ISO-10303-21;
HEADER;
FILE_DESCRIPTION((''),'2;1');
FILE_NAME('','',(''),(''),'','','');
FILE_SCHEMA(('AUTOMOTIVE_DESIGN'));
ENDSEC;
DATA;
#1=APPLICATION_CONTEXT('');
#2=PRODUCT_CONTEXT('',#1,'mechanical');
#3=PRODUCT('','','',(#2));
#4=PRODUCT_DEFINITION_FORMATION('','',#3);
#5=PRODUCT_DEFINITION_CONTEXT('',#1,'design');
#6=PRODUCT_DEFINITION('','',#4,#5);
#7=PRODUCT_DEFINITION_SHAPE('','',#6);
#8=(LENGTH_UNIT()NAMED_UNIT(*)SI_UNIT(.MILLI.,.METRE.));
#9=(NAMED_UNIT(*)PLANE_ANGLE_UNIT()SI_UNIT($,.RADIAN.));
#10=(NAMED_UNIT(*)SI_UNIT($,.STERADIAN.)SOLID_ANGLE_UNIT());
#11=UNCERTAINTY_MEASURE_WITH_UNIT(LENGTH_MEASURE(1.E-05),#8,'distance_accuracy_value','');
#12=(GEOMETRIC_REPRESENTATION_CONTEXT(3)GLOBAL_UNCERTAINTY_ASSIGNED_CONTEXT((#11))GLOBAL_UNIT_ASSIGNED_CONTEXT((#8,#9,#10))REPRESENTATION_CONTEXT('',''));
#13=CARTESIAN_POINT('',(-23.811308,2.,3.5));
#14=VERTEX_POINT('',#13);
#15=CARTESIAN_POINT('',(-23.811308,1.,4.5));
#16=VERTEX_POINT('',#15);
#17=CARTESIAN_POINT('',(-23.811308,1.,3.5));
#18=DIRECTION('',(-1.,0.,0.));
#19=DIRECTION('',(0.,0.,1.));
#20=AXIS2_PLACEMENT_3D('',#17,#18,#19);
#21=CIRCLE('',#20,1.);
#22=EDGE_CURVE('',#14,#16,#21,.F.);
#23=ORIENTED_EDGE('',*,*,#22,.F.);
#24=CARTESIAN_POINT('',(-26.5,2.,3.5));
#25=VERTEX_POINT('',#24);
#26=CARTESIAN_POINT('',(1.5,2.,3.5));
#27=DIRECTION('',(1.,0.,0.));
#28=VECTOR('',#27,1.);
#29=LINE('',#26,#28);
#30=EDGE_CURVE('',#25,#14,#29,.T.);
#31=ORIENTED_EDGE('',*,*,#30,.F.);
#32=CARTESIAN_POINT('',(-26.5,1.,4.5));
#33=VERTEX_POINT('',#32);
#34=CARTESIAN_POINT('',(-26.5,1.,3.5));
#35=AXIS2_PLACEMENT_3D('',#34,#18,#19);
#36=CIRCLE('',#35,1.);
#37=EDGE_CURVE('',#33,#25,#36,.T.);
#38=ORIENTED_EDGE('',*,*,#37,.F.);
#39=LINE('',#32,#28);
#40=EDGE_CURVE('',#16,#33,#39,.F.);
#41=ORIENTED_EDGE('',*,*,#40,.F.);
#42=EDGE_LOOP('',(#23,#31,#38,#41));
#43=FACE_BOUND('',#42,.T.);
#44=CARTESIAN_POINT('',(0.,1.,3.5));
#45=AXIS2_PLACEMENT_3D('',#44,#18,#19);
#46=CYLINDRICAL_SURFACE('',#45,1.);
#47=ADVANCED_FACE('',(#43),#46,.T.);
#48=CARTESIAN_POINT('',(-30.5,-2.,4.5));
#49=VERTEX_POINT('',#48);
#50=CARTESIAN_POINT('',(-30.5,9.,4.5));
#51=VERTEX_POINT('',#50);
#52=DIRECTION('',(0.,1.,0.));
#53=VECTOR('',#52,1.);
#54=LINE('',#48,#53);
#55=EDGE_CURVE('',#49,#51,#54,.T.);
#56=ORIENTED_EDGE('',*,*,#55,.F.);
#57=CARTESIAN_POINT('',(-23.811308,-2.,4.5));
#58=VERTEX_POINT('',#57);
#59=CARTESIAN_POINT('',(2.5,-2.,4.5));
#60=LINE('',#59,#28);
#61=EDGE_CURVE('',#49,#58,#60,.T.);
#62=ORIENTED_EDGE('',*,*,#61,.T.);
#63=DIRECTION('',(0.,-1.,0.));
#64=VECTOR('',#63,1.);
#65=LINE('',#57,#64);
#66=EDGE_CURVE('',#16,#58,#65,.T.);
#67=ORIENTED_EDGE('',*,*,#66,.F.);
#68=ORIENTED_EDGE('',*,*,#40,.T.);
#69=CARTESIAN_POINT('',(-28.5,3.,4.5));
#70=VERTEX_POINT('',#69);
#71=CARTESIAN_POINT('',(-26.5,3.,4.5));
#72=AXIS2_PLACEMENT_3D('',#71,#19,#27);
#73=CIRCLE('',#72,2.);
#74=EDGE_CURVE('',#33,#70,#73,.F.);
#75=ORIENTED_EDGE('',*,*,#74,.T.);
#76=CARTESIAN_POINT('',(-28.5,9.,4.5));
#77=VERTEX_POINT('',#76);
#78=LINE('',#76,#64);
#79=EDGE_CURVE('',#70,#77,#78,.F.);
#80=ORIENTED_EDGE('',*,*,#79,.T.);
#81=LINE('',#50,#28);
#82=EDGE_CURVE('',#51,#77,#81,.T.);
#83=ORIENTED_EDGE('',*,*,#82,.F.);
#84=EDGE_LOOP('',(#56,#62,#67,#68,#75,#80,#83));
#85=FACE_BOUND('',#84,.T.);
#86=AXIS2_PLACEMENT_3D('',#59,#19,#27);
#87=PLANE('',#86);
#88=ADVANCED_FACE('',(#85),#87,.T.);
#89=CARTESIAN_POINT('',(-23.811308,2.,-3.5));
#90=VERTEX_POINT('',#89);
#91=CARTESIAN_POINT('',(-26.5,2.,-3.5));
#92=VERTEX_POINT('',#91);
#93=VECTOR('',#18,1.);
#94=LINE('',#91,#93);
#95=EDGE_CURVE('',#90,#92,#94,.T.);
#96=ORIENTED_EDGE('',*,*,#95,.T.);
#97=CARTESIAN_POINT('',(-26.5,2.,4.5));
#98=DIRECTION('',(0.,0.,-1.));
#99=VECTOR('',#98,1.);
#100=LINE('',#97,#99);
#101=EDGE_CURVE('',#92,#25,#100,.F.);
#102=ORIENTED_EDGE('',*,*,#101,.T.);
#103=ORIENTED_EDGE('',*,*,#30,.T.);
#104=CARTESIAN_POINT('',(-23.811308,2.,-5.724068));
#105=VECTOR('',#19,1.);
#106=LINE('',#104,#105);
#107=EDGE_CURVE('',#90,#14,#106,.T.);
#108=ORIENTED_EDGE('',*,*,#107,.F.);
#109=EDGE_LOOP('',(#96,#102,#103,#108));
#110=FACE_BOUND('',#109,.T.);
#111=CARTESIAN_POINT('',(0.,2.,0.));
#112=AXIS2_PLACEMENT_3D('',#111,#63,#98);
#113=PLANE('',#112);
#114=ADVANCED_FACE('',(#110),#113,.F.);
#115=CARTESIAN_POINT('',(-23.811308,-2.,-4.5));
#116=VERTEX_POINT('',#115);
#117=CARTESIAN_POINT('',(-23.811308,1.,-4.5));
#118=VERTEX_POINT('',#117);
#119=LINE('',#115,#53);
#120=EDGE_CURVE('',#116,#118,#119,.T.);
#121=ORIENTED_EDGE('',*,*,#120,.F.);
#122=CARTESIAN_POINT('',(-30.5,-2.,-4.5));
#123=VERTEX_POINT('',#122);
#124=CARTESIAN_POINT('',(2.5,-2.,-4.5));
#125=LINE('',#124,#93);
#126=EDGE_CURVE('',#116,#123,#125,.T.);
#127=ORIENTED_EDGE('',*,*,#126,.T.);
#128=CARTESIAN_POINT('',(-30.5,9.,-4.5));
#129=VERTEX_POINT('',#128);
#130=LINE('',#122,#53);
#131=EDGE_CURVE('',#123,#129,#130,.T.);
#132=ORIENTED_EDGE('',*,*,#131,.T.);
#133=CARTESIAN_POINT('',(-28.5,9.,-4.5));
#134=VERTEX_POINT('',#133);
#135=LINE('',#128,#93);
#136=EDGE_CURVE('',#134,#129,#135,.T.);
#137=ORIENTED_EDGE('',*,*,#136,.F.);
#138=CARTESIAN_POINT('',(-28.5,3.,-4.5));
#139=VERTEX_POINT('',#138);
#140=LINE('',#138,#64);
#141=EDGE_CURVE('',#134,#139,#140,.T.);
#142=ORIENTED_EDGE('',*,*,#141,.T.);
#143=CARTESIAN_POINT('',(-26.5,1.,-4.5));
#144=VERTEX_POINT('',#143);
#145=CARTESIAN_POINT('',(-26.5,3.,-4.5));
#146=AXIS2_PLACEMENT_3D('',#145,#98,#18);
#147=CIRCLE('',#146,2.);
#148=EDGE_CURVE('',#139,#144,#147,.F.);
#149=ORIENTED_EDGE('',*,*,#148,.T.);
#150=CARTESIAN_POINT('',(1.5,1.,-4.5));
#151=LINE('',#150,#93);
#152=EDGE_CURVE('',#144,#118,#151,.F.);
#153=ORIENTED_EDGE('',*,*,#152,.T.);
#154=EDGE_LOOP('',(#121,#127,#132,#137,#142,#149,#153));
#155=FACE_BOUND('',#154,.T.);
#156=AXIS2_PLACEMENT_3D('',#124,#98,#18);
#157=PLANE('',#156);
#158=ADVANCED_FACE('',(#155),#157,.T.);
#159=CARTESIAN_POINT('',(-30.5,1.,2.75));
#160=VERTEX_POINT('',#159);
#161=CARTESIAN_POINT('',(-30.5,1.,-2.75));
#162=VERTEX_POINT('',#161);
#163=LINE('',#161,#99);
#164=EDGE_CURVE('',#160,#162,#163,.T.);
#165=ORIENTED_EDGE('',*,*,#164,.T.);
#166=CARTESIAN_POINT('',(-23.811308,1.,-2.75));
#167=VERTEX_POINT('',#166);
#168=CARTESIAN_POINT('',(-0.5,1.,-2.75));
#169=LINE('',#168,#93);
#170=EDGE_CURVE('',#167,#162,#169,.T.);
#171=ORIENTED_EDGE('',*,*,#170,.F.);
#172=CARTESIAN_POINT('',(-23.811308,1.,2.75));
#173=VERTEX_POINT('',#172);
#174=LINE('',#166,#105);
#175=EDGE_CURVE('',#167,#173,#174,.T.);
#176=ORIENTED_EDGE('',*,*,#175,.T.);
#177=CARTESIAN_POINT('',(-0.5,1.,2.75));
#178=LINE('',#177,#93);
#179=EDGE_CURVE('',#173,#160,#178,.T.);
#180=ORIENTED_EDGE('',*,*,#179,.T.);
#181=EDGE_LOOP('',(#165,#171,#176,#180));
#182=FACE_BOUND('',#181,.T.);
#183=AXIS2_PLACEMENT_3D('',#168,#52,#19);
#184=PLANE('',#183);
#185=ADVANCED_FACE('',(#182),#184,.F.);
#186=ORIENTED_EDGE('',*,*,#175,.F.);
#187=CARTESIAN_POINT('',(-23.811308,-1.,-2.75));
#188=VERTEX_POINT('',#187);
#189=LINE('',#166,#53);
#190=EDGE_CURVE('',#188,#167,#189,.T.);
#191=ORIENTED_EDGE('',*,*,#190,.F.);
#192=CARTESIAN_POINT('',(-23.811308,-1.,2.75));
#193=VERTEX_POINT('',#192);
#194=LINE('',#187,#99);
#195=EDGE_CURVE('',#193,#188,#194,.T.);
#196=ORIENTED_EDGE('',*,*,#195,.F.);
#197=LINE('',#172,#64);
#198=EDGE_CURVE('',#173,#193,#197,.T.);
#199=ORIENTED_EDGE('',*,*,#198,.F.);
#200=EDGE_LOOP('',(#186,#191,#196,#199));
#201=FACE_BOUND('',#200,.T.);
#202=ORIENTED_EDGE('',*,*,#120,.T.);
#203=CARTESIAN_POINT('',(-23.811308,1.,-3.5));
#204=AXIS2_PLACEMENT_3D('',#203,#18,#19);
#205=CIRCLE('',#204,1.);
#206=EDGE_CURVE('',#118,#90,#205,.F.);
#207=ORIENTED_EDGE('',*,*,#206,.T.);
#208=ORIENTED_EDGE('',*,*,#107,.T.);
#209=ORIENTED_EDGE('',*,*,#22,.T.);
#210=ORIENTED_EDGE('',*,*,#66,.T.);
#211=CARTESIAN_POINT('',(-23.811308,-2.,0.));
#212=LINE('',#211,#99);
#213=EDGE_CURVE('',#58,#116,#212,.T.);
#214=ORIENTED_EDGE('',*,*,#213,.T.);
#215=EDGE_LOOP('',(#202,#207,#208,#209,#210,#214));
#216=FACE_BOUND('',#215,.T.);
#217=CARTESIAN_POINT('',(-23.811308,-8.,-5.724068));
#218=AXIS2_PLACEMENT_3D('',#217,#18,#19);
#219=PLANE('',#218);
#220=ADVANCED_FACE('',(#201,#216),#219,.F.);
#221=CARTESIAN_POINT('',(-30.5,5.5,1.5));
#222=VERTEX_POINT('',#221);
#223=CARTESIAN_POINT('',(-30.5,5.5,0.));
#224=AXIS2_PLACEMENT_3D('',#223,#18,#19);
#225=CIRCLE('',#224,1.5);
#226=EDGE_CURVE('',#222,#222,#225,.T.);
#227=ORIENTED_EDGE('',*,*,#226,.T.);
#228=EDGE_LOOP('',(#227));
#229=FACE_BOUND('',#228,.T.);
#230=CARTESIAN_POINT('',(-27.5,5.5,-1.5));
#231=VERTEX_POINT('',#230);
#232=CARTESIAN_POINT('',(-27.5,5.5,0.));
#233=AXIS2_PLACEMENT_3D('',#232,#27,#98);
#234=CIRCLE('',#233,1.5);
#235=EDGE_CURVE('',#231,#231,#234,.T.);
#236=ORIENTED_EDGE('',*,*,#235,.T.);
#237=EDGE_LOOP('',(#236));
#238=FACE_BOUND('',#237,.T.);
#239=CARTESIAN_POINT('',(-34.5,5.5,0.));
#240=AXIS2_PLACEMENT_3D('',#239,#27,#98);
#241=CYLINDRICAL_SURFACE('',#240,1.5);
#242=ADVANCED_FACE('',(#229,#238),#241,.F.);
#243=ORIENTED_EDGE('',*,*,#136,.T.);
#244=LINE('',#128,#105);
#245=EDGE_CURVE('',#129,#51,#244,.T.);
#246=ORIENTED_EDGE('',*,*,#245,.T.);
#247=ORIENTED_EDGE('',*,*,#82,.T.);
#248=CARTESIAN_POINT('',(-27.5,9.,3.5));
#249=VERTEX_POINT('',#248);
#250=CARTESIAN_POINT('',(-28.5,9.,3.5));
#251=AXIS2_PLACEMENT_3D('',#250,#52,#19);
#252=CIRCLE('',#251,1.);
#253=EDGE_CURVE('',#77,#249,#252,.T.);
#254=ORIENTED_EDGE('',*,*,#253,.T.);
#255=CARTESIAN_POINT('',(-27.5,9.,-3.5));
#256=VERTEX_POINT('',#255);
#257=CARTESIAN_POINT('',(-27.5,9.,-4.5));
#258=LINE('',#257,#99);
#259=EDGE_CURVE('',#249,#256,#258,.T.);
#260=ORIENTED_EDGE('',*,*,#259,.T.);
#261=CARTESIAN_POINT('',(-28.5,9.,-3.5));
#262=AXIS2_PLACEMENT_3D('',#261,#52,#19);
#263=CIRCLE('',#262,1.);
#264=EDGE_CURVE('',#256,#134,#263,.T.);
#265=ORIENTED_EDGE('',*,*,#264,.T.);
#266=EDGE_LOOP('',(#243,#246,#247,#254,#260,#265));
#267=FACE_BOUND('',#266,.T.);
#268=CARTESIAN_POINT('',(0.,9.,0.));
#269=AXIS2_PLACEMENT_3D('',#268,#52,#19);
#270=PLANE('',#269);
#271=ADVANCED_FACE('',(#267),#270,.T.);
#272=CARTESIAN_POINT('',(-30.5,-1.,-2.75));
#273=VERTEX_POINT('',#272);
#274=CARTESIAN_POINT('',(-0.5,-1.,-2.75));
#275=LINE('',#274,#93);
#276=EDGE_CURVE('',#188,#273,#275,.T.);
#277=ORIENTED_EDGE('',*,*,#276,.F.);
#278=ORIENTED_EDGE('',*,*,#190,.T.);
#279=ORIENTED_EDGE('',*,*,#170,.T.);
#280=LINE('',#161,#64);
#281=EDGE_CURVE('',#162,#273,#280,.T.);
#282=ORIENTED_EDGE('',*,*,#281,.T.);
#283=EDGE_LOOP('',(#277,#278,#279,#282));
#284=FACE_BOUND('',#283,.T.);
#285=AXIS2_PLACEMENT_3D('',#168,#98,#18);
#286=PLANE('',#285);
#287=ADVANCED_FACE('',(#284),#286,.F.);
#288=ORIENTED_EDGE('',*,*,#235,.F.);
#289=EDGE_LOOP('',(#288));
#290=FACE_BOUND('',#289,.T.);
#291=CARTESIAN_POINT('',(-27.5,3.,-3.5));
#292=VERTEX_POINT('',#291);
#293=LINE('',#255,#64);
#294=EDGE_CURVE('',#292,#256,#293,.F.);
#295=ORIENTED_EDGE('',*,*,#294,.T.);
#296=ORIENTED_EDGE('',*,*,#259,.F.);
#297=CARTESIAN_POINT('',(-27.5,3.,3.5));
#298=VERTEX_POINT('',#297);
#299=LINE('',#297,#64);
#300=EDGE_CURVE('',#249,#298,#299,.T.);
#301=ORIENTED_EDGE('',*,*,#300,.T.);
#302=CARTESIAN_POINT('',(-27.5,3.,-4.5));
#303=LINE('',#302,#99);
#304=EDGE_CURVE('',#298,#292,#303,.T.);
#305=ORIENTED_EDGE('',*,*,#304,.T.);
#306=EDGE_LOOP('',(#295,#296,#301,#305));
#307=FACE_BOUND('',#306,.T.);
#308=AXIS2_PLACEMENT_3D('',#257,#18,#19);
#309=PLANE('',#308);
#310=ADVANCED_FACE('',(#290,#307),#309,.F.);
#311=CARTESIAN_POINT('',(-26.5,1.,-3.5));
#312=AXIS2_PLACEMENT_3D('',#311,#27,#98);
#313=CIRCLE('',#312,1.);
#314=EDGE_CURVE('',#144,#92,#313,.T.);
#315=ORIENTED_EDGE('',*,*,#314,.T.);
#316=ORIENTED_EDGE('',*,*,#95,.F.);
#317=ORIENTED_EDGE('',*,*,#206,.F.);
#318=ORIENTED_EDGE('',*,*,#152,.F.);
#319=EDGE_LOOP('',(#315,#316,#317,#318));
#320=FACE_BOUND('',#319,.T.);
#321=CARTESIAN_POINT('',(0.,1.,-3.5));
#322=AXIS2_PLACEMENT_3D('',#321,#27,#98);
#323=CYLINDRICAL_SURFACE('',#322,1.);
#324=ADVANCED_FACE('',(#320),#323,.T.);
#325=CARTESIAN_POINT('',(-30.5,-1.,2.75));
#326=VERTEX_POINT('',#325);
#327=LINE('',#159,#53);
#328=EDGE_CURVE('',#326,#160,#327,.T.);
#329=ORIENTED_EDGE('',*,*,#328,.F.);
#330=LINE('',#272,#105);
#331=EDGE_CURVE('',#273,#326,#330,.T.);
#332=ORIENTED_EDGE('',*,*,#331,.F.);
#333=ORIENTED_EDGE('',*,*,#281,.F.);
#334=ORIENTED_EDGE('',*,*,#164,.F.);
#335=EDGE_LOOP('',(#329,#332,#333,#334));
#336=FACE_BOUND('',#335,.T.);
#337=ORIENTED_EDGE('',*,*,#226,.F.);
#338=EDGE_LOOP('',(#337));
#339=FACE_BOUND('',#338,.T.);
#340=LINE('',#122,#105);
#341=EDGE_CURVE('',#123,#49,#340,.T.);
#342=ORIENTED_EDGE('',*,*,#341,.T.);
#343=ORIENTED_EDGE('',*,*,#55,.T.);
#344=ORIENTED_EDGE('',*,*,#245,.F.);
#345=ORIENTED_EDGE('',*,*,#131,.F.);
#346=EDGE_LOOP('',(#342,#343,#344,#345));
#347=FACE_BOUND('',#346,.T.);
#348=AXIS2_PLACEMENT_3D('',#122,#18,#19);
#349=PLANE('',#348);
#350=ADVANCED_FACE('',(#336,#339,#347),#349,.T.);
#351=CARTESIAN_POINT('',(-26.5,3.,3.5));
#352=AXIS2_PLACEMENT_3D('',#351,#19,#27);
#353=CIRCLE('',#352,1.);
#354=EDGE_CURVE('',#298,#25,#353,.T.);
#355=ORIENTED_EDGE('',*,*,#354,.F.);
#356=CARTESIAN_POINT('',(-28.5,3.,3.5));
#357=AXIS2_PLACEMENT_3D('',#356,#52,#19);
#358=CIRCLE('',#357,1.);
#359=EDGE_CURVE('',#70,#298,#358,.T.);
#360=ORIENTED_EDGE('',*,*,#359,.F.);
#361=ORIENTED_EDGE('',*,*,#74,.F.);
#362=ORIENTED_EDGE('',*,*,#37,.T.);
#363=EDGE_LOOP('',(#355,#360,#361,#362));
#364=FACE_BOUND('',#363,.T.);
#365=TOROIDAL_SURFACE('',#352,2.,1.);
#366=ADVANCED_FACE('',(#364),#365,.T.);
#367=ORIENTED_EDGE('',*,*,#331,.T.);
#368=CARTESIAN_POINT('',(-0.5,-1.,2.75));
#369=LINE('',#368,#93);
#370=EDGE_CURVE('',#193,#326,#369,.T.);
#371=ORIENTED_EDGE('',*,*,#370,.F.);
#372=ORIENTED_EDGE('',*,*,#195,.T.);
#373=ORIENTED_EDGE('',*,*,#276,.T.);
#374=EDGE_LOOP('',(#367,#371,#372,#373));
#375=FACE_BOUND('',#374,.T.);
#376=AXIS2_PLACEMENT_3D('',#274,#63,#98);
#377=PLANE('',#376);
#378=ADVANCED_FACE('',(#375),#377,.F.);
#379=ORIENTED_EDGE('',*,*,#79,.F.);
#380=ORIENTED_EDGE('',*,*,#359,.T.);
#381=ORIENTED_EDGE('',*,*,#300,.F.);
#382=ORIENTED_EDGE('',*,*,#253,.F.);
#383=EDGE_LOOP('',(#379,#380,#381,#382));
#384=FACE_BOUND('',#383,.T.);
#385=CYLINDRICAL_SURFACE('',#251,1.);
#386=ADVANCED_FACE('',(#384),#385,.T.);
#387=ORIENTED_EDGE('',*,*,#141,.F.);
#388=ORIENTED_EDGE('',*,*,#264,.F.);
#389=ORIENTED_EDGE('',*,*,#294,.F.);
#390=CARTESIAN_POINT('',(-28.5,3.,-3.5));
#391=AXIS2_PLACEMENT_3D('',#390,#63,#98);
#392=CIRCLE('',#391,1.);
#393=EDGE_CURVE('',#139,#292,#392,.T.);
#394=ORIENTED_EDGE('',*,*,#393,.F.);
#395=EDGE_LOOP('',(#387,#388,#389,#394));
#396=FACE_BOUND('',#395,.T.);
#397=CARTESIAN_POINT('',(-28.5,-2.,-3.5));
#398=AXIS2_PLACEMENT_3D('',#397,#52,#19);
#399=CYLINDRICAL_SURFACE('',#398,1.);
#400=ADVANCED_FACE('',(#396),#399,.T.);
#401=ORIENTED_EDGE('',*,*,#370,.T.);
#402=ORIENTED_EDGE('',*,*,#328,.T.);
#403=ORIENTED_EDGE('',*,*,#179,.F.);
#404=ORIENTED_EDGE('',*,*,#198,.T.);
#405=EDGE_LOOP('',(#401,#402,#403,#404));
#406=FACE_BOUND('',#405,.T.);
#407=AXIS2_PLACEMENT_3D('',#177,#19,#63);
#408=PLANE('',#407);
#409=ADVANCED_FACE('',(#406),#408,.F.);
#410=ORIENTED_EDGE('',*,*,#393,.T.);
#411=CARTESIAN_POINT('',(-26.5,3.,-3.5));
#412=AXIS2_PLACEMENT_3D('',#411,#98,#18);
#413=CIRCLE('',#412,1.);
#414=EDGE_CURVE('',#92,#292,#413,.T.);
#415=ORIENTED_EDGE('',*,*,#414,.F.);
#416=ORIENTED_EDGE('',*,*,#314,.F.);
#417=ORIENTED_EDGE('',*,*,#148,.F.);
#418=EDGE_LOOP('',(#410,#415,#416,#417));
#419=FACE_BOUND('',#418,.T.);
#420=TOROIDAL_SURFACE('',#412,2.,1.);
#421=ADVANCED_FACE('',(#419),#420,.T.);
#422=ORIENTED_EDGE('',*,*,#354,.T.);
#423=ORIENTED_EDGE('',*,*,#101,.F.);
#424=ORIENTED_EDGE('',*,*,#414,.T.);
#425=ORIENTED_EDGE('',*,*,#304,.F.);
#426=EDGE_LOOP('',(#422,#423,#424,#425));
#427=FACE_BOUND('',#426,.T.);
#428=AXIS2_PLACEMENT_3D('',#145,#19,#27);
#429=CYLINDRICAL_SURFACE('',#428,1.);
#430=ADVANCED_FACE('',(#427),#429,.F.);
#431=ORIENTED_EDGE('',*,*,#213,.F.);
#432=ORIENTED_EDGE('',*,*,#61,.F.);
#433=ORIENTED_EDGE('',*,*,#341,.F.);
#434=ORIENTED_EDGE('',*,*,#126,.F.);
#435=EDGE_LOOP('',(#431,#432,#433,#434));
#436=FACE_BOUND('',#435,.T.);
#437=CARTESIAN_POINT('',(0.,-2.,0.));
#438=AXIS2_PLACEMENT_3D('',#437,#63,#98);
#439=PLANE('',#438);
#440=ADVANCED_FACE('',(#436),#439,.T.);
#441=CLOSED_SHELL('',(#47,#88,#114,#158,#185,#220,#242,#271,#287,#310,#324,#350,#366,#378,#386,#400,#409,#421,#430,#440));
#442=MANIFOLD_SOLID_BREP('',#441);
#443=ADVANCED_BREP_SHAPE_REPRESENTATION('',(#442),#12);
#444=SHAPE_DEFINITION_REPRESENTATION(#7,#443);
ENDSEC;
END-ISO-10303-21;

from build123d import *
from build123d.topology import SkipClean

# Parameters (mm, degrees)
CUT_EXTRUDE1_DEPTH       = 10
CUT_EXTRUDE1_DEPTH_BACK  = 10
SKETCH2_R                = 1.5
BOSS_EXTRUDE1_DEPTH      = 2
BOSS_EXTRUDE1_DEPTH_BACK = 2
SKETCH4_W                = 33
SKETCH4_H                = 9
CUT_EXTRUDE2_DEPTH       = 1.5
CUT_EXTRUDE2_DEPTH_BACK  = 10
SKETCH5_R                = 1.5
CUT_EXTRUDE3_DEPTH       = 10
CUT_EXTRUDE3_DEPTH_BACK  = 10
SKETCH8_R                = 1.5
SKETCH9_W                = 8.987494889
SKETCH9_H                = 0.781338227
SKETCH9_H_2              = 1.225544695
CUT_EXTRUDE4_DEPTH       = 46
SKETCH10_W               = 5.5
SKETCH10_H               = 2
CUT_EXTRUDE5_DEPTH       = 30
SKETCH11_W               = 3
SKETCH11_H               = 9
BOSS_EXTRUDE2_DEPTH      = 7
SKETCH12_R               = 1.5
CUT_EXTRUDE6_DEPTH       = 7
FILLET1_R                = 1
FILLET2_R                = 1
FILLET3_R                = 1
FILLET4_R                = 1
SKETCH13_W               = 28.065917506
SKETCH13_H               = 13.293965236
CUT_EXTRUDE7_DEPTH       = 10


with BuildPart() as part:
    # Sketch1 → Revolve1 (revolve)
    with BuildSketch(Plane.XY):
        with BuildLine():
            Line((0, 0), (-6, 0))
            ThreePointArc((-6, 0), (-3, 3), (0, 0))
        make_face()
    revolve(axis=Axis((0, 0, 0), (-1, 0, 0)))

    # Sketch2 → Cut-Extrude1 (cut, two sides: drawn at the far end of the back side and taken through both)
    with BuildSketch(Plane(origin=(0, 0, 0), x_dir=(1, 0, 0), z_dir=(0, 1, 0)).offset(-CUT_EXTRUDE1_DEPTH_BACK)):
        with Locations((-3, 0)):
            Circle(SKETCH2_R)
    extrude(amount=CUT_EXTRUDE1_DEPTH + CUT_EXTRUDE1_DEPTH_BACK, mode=Mode.SUBTRACT)

    # Sketch4 → Boss-Extrude1 (add, two sides: drawn at the far end of the back side and taken through both)
    with SkipClean():  # the faces are left unmerged after this step: merging them gives an invalid solid
        with BuildSketch(Plane(origin=(0, 0, 0), x_dir=(1, 0, 0), z_dir=(0, 1, 0)).offset(-BOSS_EXTRUDE1_DEPTH_BACK)):
            with Locations((-14, 0)):
                Rectangle(SKETCH4_W, SKETCH4_H)
        extrude(amount=BOSS_EXTRUDE1_DEPTH + BOSS_EXTRUDE1_DEPTH_BACK)

    # Sketch5 → Cut-Extrude2 (cut, two sides: drawn at the far end of the back side and taken through both)
    with SkipClean():  # the faces are left unmerged after this step: merging them gives an invalid solid
        with BuildSketch(Plane(origin=(0, 2, 0), x_dir=(1, 0, 0), z_dir=(0, 1, 0)).offset(-CUT_EXTRUDE2_DEPTH_BACK)):
            with Locations((-3, 0)):
                Circle(SKETCH5_R)
        extrude(amount=CUT_EXTRUDE2_DEPTH + CUT_EXTRUDE2_DEPTH_BACK, mode=Mode.SUBTRACT)

    # Sketch6 → Cut-Revolve1 (revolve, cut)
    with BuildSketch(Plane(origin=(0, 0, 0), x_dir=(1, 0, 0), z_dir=(0, 1, 0))):
        with BuildLine():
            Line((-3, 3.5), (-3, -3.5))
            ThreePointArc((-3, -3.5), (-6.5, 0), (-3, 3.5))
        make_face()
    revolve(axis=Axis((-3, 0, -3.5), (0, 0, 1)), mode=Mode.SUBTRACT)

    # Sketch10 → Cut-Extrude5 (cut)
    with BuildSketch(Plane.ZY.offset(30.5)):
        Rectangle(SKETCH10_W, SKETCH10_H)
    extrude(amount=-CUT_EXTRUDE5_DEPTH, mode=Mode.SUBTRACT)

    # Sketch11 → Boss-Extrude2 (add)
    with BuildSketch(Plane(origin=(0, 2, 0), x_dir=(1, 0, 0), z_dir=(0, 1, 0))):
        with Locations((-29, 0)):
            Rectangle(SKETCH11_W, SKETCH11_H)
    extrude(amount=BOSS_EXTRUDE2_DEPTH)

    # Sketch12 → Cut-Extrude6 (cut)
    with BuildSketch(Plane(origin=(-27.5, 0, 0), x_dir=(0, 0, -1), z_dir=(1, 0, 0))):
        with Locations((0, 5.5)):
            Circle(SKETCH12_R)
    extrude(amount=-CUT_EXTRUDE6_DEPTH, mode=Mode.SUBTRACT)

    # Fillet1
    fillet1_edges = [part.edges().sort_by_distance(p)[0] for p in [
        (2.5, 0, -4.5),
    ]]
    fillet(fillet1_edges, radius=FILLET1_R)

    # Fillet2
    fillet2_edges = [part.edges().sort_by_distance(p)[0] for p in [
        (2.5, 0, 4.5),
    ]]
    fillet(fillet2_edges, radius=FILLET2_R)

    # Fillet3
    fillet3_edges = [part.edges().sort_by_distance(p)[0] for p in [
        (-27.5, 2, 0),
    ]]
    fillet(fillet3_edges, radius=FILLET3_R)

    # Fillet4
    fillet4_edges = [part.edges().sort_by_distance(p)[0] for p in [
        (-27.5, 6, 4.5),
        (-27.207106781, 2.292893219, 4.5),
        (-12.5, 2, 4.5),
        (2.207106781, 2, 4.207106781),
        (2.5, 2, 0),
        (2.207106781, 2, -4.207106781),
        (-27.5, 6, -4.5),
        (-27.207106781, 2.292893219, -4.5),
        (-12.5, 2, -4.5),
    ]]
    fillet(fillet4_edges, radius=FILLET4_R)


with BuildPart() as body_2:
    # Sketch7 → Revolve2 (revolve)
    with BuildSketch(Plane(origin=(0, 0, 0), x_dir=(1, 0, 0), z_dir=(0, 1, 0))):
        with BuildLine():
            Line((-3, 3), (-3, -3))
            ThreePointArc((-3, -3), (-6, 0), (-3, 3))
        make_face()
    revolve(axis=Axis((-3, 0, -3), (0, 0, 1)))

    # Sketch8 → Cut-Extrude3 (cut, two sides: drawn at the far end of the back side and taken through both)
    with BuildSketch(Plane(origin=(0, 0, 0), x_dir=(1, 0, 0), z_dir=(0, 1, 0)).offset(-CUT_EXTRUDE3_DEPTH_BACK)):
        with Locations((-3, 0)):
            Circle(SKETCH8_R)
    extrude(amount=CUT_EXTRUDE3_DEPTH + CUT_EXTRUDE3_DEPTH_BACK, mode=Mode.SUBTRACT)

    # Sketch9 → Cut-Extrude4 (cut)
    with BuildSketch(Plane.ZY.offset(30.5)):
        with Locations((-0.006252555, 2.390669113)):
            Rectangle(SKETCH9_W, SKETCH9_H)
        with Locations((-0.006252555, -2.612772347)):
            Rectangle(SKETCH9_W, SKETCH9_H_2)
    extrude(amount=-CUT_EXTRUDE4_DEPTH, mode=Mode.SUBTRACT)


with BuildPart() as cut_extrude7_tool:
    # Sketch13 → Cut-Extrude7 (new body)
    with BuildSketch(Plane(origin=(0, 2, 0), x_dir=(1, 0, 0), z_dir=(0, 1, 0))):
        with Locations((-9.778349348, -0.92291484)):
            Rectangle(SKETCH13_W, SKETCH13_H)
    extrude(amount=-CUT_EXTRUDE7_DEPTH)


with BuildPart() as part_1:
    add(part.part)

    # Cut-Extrude7: cut by cut_extrude7_tool
    add(cut_extrude7_tool.part, mode=Mode.SUBTRACT)


with BuildPart() as body_2_1:
    add(body_2.part)

    # Cut-Extrude7: cut by cut_extrude7_tool
    add(cut_extrude7_tool.part, mode=Mode.SUBTRACT)


solid = part_1.part
